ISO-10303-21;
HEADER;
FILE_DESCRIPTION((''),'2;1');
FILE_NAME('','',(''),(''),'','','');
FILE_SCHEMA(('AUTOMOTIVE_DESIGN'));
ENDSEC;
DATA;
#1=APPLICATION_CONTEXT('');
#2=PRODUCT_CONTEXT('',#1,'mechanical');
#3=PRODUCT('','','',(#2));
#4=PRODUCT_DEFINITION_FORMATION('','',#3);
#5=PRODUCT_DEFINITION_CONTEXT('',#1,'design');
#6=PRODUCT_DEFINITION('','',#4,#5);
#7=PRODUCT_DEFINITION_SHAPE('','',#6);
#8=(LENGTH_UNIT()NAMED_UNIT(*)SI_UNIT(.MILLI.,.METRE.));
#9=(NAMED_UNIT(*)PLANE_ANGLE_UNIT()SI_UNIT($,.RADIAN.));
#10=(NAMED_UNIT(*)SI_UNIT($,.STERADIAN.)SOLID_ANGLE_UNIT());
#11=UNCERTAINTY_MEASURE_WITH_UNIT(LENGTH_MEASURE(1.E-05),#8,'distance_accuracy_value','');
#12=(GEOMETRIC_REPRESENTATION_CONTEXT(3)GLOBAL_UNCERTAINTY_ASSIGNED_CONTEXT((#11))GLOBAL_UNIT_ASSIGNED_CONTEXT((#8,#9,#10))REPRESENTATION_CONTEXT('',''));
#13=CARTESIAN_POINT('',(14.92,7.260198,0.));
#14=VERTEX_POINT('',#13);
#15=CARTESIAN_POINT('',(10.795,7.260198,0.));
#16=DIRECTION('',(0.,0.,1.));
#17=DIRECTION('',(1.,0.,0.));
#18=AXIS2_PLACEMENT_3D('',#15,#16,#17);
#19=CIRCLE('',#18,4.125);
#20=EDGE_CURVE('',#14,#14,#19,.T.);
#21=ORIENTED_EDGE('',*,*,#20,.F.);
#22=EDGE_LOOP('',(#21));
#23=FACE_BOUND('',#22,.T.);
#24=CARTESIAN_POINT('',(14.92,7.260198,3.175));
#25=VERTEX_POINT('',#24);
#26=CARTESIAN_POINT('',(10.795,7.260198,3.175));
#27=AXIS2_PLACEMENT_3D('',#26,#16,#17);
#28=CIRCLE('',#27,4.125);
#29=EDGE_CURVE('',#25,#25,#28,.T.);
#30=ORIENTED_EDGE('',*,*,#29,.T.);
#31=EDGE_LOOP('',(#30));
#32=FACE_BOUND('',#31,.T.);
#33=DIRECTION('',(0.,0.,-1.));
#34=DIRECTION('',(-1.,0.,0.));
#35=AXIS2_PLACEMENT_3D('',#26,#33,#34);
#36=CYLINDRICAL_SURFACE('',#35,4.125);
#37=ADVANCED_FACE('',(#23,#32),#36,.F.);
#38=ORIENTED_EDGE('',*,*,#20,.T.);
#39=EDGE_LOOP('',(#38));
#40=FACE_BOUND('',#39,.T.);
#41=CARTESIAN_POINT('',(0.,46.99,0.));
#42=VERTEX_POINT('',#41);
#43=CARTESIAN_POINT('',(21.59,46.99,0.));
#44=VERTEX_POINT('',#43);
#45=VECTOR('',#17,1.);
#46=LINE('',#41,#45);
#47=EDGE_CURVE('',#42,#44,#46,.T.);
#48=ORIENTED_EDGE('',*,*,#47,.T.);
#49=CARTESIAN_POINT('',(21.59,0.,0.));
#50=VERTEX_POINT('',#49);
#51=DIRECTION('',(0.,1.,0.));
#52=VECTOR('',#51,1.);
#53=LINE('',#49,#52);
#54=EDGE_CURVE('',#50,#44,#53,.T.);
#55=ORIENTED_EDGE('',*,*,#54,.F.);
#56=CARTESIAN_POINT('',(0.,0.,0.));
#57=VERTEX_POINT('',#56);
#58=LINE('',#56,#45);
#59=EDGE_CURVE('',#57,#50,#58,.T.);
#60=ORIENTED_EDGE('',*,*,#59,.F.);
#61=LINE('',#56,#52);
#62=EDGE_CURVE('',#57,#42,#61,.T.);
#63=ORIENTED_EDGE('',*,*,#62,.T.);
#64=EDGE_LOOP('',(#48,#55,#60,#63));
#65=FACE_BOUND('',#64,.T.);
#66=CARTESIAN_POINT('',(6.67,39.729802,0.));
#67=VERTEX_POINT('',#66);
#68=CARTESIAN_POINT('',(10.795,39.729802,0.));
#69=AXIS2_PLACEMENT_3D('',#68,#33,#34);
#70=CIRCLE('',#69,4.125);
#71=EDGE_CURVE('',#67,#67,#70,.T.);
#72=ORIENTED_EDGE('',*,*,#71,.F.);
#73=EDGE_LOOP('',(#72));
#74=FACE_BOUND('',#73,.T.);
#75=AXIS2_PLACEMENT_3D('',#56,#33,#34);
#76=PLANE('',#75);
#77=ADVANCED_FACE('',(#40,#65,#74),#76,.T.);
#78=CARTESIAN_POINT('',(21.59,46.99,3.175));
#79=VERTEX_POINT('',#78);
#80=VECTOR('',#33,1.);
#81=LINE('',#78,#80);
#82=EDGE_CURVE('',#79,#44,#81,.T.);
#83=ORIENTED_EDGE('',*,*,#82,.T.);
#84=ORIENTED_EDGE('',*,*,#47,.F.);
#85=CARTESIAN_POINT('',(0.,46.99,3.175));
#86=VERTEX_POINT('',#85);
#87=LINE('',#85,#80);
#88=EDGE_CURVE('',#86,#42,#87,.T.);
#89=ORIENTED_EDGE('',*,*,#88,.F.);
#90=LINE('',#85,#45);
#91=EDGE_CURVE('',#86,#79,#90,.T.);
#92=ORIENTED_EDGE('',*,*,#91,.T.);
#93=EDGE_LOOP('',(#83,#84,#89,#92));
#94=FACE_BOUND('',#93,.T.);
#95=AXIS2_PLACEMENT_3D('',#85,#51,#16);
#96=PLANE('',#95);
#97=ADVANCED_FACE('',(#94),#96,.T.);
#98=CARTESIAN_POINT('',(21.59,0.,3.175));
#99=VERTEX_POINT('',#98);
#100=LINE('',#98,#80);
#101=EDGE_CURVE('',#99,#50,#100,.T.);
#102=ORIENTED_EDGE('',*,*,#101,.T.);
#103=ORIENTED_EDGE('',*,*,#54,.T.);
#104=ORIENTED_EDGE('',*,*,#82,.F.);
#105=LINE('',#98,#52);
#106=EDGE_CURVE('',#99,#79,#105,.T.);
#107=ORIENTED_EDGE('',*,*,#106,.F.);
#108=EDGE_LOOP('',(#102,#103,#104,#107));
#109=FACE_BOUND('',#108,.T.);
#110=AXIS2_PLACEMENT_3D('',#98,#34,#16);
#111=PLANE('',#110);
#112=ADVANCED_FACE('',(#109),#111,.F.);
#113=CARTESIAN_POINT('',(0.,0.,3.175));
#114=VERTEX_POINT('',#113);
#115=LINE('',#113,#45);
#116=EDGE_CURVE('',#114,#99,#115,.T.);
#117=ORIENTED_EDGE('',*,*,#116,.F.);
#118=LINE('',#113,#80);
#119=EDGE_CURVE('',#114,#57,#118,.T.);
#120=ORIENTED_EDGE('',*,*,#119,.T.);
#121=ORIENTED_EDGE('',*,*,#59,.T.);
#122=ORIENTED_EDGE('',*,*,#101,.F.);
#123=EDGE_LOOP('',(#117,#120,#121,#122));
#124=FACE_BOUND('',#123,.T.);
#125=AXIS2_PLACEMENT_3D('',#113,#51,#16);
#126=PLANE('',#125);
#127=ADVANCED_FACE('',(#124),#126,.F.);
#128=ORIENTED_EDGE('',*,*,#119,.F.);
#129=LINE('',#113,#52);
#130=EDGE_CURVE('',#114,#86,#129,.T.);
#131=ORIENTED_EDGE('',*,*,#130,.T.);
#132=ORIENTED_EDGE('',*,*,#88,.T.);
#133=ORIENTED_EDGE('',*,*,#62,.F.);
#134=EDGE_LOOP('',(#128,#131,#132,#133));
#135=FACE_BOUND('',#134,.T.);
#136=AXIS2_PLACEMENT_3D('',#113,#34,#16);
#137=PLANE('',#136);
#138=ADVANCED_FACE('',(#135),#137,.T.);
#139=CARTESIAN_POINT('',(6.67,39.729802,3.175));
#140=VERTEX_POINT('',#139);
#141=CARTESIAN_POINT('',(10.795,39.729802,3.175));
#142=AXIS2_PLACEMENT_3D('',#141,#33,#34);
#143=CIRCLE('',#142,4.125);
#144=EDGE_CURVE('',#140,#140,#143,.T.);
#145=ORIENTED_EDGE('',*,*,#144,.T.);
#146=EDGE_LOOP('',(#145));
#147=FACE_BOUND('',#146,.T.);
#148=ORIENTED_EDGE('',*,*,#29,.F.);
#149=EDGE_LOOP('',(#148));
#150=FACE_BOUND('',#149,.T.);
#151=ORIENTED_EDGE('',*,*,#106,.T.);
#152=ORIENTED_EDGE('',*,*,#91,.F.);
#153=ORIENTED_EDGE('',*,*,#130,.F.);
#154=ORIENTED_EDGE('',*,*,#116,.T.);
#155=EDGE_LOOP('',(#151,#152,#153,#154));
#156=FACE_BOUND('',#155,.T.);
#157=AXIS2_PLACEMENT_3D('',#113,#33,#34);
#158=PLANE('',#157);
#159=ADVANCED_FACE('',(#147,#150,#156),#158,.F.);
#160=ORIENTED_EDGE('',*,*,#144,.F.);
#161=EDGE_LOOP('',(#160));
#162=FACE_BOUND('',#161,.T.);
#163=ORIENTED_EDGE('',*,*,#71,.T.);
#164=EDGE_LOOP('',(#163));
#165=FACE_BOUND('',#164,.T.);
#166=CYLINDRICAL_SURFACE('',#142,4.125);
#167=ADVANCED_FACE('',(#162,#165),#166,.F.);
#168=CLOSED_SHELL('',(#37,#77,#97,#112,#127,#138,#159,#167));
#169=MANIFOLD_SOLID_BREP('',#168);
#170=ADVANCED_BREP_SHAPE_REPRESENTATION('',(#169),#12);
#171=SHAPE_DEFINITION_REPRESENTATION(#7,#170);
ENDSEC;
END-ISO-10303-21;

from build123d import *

# Parameters (mm, degrees)
SKETCH1_W           = 21.59
SKETCH1_H           = 46.99
SKETCH1_R           = 4.124999878
BOSS_EXTRUDE1_DEPTH = 3.175


with BuildPart() as part:
    # Sketch1 → Boss-Extrude1 (new body)
    with BuildSketch(Plane.XY):
        with Locations((10.795, 23.495)):
            Rectangle(SKETCH1_W, SKETCH1_H)
        with Locations((10.795, 7.260198401)):
            Circle(SKETCH1_R, mode=Mode.SUBTRACT)
        with Locations(Location((10.795, 39.729801599, 0), (0, 0, 180))):
            Circle(SKETCH1_R, mode=Mode.SUBTRACT)
    extrude(amount=BOSS_EXTRUDE1_DEPTH)


solid = part.part
